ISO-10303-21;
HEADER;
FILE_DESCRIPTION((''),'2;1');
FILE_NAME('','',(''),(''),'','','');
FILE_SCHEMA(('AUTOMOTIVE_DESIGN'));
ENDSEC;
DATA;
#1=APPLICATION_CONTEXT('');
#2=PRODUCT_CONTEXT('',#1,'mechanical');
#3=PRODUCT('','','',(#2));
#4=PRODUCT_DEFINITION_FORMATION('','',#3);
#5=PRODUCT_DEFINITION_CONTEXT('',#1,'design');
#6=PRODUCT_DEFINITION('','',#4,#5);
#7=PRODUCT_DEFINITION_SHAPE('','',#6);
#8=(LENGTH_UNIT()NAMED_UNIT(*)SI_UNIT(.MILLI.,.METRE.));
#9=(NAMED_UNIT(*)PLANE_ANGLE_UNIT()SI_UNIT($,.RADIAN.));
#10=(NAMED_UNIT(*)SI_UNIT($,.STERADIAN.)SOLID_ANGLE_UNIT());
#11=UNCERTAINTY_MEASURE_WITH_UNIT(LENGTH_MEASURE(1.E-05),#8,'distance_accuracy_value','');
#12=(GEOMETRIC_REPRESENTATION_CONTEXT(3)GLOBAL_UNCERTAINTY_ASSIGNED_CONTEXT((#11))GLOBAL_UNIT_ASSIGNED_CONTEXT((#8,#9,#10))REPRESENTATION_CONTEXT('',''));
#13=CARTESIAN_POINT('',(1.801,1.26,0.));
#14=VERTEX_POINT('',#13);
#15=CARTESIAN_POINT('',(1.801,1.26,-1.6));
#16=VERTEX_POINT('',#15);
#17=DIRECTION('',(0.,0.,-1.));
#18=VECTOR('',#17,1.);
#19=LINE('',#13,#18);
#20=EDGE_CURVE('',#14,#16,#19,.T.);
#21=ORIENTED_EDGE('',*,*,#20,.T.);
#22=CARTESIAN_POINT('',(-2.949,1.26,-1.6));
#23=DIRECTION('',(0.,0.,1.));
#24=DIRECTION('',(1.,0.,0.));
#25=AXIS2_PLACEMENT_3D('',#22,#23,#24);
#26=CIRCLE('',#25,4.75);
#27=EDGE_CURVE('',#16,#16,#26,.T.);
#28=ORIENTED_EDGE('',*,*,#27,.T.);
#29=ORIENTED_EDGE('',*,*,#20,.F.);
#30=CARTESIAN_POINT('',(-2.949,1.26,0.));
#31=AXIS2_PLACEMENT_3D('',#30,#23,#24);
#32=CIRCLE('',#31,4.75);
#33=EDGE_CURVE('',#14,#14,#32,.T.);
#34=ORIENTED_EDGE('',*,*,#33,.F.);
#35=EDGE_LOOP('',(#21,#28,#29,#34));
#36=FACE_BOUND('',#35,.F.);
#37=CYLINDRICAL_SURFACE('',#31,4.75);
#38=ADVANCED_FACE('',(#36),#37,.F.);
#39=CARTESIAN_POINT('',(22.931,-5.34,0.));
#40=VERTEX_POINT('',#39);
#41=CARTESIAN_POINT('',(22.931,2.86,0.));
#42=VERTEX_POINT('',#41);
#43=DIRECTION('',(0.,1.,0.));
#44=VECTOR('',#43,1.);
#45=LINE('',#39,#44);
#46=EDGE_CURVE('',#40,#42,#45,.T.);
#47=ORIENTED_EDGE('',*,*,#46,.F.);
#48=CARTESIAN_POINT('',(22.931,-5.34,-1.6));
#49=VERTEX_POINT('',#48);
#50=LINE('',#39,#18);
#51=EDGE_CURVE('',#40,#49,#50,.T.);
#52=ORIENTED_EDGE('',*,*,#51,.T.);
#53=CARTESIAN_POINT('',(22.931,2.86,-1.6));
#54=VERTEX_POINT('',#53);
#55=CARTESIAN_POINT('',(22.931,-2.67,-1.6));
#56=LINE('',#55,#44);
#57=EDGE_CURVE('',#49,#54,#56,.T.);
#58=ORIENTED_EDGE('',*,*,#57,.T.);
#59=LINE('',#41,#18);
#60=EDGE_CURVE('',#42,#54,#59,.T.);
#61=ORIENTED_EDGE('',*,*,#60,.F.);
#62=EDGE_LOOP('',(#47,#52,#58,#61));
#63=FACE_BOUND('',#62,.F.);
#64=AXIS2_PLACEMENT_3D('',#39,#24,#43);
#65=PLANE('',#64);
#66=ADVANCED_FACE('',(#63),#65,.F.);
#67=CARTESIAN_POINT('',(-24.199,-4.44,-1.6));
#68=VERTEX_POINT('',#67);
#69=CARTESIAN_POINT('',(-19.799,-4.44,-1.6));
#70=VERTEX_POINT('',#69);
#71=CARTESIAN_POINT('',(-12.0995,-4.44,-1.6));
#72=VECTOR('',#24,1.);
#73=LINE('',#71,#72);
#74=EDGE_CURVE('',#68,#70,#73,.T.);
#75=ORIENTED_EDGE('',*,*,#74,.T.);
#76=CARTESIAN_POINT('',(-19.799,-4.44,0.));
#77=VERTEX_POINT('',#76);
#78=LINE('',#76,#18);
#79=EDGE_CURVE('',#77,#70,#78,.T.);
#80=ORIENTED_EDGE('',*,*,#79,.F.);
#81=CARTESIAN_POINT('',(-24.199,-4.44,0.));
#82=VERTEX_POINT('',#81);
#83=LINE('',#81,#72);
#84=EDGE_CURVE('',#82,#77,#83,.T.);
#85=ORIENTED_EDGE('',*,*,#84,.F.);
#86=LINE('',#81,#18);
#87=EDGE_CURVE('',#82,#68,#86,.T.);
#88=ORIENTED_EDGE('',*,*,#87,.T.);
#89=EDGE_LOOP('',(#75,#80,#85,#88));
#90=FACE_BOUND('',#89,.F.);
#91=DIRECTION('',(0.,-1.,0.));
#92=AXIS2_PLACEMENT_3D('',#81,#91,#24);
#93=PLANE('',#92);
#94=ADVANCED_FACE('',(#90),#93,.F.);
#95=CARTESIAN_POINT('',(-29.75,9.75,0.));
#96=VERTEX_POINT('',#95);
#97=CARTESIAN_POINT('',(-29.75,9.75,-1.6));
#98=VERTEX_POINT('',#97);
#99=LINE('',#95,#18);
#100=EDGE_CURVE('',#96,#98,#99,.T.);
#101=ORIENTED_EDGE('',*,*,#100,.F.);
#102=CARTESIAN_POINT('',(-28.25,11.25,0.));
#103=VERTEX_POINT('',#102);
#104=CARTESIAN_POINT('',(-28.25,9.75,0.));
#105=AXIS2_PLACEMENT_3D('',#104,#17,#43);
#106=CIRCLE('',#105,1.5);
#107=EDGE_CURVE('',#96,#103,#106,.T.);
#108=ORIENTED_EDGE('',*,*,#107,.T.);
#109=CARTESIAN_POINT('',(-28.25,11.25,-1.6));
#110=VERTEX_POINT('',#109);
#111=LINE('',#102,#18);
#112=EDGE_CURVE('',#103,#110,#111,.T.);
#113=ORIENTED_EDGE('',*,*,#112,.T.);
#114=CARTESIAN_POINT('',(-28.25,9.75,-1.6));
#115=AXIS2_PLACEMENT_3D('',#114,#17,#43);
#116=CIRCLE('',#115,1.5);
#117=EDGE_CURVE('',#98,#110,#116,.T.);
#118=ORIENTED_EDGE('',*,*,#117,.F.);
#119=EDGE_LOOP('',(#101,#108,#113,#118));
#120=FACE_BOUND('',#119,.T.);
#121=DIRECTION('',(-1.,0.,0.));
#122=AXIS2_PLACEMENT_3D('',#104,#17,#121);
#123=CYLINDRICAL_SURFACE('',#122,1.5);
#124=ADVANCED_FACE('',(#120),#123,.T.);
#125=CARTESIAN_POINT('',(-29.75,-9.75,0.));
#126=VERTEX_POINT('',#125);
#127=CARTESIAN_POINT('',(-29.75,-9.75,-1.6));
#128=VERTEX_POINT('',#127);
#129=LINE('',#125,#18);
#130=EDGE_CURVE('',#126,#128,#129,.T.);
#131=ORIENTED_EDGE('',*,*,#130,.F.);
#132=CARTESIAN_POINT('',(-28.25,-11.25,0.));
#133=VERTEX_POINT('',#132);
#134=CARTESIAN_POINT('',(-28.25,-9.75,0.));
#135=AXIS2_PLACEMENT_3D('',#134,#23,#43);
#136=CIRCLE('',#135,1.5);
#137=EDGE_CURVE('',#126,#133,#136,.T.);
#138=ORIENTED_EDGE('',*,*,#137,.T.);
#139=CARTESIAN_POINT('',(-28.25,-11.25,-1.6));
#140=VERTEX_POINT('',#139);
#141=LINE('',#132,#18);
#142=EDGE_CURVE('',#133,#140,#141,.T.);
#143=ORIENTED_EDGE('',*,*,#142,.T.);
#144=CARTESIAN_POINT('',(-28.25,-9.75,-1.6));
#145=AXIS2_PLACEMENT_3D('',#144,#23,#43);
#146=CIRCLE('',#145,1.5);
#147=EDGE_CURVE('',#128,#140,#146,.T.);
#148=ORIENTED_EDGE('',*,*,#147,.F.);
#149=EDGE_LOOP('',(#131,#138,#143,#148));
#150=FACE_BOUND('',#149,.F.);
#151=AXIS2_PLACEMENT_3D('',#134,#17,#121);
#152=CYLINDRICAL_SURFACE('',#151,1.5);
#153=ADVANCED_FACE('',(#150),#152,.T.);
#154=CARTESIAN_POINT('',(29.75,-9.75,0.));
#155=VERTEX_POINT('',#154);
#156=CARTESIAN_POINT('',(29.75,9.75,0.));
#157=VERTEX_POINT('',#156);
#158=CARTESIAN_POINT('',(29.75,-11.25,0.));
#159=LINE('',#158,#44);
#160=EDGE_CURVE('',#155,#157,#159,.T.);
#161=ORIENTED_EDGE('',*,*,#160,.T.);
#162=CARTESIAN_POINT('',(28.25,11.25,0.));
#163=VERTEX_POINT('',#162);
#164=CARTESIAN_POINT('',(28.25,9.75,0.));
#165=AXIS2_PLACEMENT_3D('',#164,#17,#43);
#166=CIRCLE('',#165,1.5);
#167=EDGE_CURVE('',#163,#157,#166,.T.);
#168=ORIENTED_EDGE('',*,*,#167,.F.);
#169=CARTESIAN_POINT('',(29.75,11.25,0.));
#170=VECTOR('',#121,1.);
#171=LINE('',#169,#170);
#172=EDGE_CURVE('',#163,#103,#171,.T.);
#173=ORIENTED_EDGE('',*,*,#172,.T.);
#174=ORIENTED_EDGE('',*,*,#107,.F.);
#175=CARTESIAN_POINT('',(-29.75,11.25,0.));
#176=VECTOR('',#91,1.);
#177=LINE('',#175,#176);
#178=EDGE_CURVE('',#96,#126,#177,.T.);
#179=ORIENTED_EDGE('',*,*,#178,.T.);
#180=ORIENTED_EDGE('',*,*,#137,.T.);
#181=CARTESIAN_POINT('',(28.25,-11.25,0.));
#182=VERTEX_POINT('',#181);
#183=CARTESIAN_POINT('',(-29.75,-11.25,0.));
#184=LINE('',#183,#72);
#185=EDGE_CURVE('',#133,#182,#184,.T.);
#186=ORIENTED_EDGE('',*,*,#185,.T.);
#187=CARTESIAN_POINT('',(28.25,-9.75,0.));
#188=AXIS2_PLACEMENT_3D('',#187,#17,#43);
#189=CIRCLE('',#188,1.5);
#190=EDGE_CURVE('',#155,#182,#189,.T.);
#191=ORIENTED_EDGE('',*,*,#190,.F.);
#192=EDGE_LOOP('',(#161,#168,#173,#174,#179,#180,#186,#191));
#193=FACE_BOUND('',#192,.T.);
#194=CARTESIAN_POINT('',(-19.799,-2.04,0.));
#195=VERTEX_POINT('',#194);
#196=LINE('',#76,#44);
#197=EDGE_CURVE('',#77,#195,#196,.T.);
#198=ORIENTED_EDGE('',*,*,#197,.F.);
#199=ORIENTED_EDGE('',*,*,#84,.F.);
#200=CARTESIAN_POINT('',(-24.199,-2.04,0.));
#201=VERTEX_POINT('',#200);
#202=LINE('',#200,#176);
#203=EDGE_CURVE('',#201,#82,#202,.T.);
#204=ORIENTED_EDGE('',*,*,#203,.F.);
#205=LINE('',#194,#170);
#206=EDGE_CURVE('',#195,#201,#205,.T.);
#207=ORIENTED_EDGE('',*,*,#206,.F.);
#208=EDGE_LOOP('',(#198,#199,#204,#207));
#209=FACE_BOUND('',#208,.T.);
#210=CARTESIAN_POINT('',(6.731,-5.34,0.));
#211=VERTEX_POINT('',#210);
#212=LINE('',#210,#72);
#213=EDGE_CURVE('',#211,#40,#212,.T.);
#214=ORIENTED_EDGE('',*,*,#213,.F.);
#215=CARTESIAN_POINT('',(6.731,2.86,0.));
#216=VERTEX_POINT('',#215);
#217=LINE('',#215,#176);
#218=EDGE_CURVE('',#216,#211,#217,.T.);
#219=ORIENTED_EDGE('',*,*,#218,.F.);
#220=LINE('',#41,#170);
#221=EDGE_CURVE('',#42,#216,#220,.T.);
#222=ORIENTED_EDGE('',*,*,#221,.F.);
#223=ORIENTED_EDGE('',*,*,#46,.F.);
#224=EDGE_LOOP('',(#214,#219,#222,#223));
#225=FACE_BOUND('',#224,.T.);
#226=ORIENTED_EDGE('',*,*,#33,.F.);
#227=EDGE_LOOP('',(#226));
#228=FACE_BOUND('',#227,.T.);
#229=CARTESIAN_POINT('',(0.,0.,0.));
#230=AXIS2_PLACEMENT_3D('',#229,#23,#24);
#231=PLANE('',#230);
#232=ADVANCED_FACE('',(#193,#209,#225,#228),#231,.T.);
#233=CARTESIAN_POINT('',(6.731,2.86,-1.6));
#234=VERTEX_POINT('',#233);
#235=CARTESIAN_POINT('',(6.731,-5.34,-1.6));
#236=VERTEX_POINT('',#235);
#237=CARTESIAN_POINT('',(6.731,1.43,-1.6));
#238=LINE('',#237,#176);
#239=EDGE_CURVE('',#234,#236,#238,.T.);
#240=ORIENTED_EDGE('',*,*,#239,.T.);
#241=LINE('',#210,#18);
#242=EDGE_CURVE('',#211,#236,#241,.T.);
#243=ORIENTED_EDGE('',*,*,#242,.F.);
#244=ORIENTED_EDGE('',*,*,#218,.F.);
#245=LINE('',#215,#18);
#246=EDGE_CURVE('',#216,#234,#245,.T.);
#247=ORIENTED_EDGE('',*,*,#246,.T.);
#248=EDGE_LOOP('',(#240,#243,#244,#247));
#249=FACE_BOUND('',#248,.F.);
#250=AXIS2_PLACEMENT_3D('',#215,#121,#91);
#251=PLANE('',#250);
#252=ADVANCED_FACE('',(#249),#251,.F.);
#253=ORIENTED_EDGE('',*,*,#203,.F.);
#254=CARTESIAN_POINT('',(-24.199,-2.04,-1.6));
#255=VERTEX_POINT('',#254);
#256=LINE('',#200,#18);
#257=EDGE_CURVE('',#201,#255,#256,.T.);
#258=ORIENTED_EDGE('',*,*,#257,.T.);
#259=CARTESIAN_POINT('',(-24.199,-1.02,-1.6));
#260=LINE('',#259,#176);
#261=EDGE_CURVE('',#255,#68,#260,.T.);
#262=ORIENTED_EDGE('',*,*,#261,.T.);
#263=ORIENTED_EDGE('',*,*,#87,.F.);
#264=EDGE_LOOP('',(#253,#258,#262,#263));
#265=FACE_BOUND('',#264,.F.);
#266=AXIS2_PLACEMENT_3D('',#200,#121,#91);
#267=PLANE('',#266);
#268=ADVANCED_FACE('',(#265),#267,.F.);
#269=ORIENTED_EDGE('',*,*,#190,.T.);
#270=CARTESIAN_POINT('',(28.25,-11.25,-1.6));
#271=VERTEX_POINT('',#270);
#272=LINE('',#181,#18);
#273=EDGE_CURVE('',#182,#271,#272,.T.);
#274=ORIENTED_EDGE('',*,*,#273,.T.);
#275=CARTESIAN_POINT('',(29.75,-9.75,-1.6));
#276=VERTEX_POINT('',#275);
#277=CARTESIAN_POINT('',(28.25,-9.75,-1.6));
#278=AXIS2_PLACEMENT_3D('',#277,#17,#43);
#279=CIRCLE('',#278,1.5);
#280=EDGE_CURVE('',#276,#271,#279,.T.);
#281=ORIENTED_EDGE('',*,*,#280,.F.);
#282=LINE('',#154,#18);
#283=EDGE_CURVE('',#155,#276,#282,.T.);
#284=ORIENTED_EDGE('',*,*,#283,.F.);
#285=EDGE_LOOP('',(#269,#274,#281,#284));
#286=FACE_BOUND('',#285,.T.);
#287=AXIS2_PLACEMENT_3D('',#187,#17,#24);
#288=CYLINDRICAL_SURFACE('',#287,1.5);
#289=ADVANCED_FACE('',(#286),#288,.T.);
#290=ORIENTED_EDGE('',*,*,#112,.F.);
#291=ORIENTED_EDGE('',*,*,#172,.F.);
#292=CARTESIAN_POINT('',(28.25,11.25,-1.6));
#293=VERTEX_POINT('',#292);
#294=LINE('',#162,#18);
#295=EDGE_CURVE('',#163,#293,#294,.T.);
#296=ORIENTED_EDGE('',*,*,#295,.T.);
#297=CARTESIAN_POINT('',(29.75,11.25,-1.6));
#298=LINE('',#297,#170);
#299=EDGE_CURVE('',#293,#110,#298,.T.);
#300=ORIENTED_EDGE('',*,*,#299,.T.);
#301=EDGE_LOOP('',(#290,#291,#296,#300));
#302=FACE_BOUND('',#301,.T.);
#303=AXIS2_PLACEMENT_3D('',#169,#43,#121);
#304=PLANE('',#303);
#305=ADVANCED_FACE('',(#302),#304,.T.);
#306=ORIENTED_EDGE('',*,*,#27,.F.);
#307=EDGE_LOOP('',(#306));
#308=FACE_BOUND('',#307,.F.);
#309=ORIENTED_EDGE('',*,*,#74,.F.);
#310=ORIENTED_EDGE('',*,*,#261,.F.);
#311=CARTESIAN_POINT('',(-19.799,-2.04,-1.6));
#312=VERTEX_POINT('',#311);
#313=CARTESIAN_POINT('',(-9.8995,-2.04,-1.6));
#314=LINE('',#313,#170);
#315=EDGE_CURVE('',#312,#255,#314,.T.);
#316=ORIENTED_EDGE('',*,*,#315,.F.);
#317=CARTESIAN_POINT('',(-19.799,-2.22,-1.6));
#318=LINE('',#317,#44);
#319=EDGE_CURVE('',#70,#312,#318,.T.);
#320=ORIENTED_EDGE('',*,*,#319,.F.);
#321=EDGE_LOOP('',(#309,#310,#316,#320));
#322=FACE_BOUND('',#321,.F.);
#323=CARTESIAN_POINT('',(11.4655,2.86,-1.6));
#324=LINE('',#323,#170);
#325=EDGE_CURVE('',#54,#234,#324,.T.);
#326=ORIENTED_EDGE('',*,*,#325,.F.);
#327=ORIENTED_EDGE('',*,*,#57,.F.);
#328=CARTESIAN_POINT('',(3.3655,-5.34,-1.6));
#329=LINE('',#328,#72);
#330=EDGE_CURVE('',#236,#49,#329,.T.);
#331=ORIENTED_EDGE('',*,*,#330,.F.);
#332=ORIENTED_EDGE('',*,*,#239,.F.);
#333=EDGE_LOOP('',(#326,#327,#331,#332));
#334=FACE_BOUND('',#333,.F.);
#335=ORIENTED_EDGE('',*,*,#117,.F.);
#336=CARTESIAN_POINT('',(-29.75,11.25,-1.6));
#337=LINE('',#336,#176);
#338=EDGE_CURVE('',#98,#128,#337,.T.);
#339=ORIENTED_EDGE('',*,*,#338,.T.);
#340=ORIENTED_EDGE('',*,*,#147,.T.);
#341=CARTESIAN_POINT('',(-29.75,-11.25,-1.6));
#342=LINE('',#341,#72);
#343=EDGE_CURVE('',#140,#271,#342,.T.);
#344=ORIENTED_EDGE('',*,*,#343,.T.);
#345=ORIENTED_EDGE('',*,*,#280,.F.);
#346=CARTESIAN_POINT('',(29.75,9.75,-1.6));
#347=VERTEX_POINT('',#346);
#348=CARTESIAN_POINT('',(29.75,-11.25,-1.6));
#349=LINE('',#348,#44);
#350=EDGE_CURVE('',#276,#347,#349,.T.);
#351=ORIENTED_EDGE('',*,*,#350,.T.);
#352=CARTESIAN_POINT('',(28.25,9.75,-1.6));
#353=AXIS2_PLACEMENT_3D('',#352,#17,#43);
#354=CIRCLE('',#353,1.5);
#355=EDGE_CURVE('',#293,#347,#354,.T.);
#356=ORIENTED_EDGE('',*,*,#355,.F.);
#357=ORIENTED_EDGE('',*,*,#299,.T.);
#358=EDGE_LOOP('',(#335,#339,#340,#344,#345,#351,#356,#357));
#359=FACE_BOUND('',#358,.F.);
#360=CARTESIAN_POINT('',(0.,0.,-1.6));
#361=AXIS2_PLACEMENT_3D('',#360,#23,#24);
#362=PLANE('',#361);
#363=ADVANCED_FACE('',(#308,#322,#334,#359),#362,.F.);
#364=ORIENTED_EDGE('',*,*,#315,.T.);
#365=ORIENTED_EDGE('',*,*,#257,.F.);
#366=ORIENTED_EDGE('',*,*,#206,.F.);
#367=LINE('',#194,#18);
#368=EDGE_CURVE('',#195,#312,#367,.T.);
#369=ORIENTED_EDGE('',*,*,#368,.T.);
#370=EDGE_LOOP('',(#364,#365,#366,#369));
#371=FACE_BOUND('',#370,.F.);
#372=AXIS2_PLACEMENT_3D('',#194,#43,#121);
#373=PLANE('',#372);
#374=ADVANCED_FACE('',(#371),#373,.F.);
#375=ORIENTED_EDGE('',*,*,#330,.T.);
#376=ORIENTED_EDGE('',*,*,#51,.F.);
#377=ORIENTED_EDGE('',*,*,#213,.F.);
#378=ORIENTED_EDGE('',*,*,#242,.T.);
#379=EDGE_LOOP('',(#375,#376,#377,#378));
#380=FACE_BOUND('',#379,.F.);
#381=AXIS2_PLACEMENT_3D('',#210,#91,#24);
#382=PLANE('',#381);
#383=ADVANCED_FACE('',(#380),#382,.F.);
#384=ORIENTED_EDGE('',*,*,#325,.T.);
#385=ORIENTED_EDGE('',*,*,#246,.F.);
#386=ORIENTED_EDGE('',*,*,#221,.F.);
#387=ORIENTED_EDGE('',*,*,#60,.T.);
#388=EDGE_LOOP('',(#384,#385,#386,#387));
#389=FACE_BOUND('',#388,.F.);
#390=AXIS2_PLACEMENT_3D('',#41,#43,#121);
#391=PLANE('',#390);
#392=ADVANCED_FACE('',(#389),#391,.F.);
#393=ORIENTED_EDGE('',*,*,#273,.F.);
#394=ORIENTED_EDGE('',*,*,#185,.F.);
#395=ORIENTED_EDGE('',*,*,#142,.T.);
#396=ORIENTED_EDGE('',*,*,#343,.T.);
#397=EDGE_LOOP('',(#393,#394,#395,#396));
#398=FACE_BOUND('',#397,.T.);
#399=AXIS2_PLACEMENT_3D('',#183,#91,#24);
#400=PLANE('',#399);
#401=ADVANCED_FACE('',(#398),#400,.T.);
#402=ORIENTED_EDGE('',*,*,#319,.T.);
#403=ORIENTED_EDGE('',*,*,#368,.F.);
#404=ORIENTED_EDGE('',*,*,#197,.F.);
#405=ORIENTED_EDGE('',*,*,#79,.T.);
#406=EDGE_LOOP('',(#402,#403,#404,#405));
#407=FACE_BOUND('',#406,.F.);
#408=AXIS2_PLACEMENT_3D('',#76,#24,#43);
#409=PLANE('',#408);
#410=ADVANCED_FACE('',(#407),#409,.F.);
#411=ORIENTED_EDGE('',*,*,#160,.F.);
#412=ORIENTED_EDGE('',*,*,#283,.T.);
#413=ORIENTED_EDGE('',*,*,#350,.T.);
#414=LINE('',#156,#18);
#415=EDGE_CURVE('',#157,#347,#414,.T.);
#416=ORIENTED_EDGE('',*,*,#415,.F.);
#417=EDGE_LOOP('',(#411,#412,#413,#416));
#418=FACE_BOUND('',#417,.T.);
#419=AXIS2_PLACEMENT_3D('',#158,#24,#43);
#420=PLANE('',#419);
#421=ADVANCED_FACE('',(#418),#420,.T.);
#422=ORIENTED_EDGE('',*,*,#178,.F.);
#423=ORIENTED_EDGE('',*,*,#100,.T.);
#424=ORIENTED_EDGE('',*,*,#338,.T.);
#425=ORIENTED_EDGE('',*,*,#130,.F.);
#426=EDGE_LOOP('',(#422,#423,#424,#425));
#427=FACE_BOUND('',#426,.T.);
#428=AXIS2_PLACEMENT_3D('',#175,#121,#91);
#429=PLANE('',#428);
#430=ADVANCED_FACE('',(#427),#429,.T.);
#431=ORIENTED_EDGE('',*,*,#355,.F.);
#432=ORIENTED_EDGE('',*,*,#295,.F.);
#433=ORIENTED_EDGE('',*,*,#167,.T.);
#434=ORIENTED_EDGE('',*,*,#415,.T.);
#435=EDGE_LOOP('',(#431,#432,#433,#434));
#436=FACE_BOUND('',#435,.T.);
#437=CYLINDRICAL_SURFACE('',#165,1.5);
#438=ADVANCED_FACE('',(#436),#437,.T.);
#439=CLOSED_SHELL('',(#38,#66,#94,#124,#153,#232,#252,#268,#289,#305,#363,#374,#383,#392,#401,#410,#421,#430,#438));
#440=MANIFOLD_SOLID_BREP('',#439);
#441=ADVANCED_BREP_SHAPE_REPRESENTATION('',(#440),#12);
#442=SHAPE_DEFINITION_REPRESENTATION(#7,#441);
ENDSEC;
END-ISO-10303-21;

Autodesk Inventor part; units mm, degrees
ref_plane "YZ Plane" through (0, 0, 0) normal (1, 0, 0) x (0, 1, 0)
ref_plane "XZ Plane" through (0, 0, 0) normal (0, 1, 0) x (-1, 0, 0)
ref_plane "XY Plane" through (0, 0, 0) normal (0, 0, 1) x (1, 0, 0)
sketch "Sketch1" plane through (0, 0, 0) normal (0, 0, 1) x (1, 0, 0)
  line L0 (-29.75, -11.25) -> (29.75, -11.25)
  line L1 (29.75, -11.25) -> (29.75, 11.25)
  line L2 (29.75, 11.25) -> (-29.75, 11.25)
  line L3 (-29.75, 11.25) -> (-29.75, -11.25)
  line L4 (-29.75, -11.25) -> (29.75, 11.25) construction
  line L5 (29.75, -11.25) -> (-29.75, 11.25) construction
  point P0 (0, 0)
  dimension "d0" = 59.5
  dimension "d1" = 22.5
extrude "Extrusion1" add sketch "Sketch1" against normal blind 1.6
fillet "Fillet1" radius 1.5 4 edges at (29.75, 11.25, -0.8) (29.75, -11.25, -0.8) (-29.75, 11.25, -0.8) (-29.75, -11.25, -0.8)
sketch "Sketch2" plane through (0, 0, 0) normal (0, 0, 1) x (1, 0, 0)
  circle A0 centre (-2.949, 1.26) radius 4.75
  line L0 (-28.25, -11.25) -> (28.25, -11.25) projected
  line L1 (-29.75, 9.75) -> (-29.75, -9.75) projected
  line L2 (-24.199, -4.44) -> (-19.799, -4.44)
  line L3 (-19.799, -4.44) -> (-19.799, -2.04)
  line L4 (-19.799, -2.04) -> (-24.199, -2.04)
  line L5 (-24.199, -2.04) -> (-24.199, -4.44)
  line L6 (-24.199, -4.44) -> (-19.799, -2.04) construction
  line L7 (-19.799, -4.44) -> (-24.199, -2.04) construction
  point P0 (0, 0)
  point P1 (-28.349, -5.24)
  point P2 (-21.999, -3.24)
  dimension "d5" = 9.5
  dimension "d15" = 12.51
  dimension "d16" = 26.801
  dimension "d17" = 6.01
  dimension "d18" = 1.401
  dimension "d19" = 4.4
  dimension "d20" = 2.4
  dimension "d21" = 6.35
  dimension "d22" = 2
extrude "Extrusion2" cut sketch "Sketch2" against normal through all
sketch "Sketch4" plane through (0, 0, 0) normal (0, 0, 1) x (1, 0, 0)
  line L0 (-28.25, -11.25) -> (28.25, -11.25) projected
  line L1 (-29.75, 9.75) -> (-29.75, -9.75) projected
  line L2 (6.731, -5.34) -> (22.931, -5.34)
  line L3 (22.931, -5.34) -> (22.931, 2.86)
  line L4 (22.931, 2.86) -> (6.731, 2.86)
  line L5 (6.731, 2.86) -> (6.731, -5.34)
  line L6 (6.731, -5.34) -> (22.931, 2.86) construction
  line L7 (22.931, -5.34) -> (6.731, 2.86) construction
  point P0 (0, 0)
  point P1 (-28.349, -5.24)
  point P2 (14.831, -1.24)
  dimension "d23" = 6.01
  dimension "d24" = 1.401
  dimension "d25" = 16.2
  dimension "d26" = 8.2
  dimension "d28" = 43.18
  dimension "d29" = 0.1
extrude "Extrusion4" cut sketch "Sketch4" against normal through all
sketch "Sketch5" plane through (0, 0, -1.6) normal (0, 0, -1) x (-1, 0, 0)
  line L0 (-29.75, 11.25) -> (29.75, 11.25) construction
  line L1 (29.75, 11.25) -> (29.75, -11.2327) construction
  line L2 (29.75, -11.2327) -> (-29.75, -11.2327) construction
  line L3 (-29.75, -11.2327) -> (-29.75, 11.25) construction
  line L4 (28.25, 11.25) -> (-28.25, 11.25) projected
  line L5 (-29.75, 9.75) -> (-29.75, -9.75) projected
  line L6 (29.75, -9.75) -> (29.75, 9.75) projected
  point P0 (0, 0)
decal "Decal1"
properties part number "rearPlate_PP"
